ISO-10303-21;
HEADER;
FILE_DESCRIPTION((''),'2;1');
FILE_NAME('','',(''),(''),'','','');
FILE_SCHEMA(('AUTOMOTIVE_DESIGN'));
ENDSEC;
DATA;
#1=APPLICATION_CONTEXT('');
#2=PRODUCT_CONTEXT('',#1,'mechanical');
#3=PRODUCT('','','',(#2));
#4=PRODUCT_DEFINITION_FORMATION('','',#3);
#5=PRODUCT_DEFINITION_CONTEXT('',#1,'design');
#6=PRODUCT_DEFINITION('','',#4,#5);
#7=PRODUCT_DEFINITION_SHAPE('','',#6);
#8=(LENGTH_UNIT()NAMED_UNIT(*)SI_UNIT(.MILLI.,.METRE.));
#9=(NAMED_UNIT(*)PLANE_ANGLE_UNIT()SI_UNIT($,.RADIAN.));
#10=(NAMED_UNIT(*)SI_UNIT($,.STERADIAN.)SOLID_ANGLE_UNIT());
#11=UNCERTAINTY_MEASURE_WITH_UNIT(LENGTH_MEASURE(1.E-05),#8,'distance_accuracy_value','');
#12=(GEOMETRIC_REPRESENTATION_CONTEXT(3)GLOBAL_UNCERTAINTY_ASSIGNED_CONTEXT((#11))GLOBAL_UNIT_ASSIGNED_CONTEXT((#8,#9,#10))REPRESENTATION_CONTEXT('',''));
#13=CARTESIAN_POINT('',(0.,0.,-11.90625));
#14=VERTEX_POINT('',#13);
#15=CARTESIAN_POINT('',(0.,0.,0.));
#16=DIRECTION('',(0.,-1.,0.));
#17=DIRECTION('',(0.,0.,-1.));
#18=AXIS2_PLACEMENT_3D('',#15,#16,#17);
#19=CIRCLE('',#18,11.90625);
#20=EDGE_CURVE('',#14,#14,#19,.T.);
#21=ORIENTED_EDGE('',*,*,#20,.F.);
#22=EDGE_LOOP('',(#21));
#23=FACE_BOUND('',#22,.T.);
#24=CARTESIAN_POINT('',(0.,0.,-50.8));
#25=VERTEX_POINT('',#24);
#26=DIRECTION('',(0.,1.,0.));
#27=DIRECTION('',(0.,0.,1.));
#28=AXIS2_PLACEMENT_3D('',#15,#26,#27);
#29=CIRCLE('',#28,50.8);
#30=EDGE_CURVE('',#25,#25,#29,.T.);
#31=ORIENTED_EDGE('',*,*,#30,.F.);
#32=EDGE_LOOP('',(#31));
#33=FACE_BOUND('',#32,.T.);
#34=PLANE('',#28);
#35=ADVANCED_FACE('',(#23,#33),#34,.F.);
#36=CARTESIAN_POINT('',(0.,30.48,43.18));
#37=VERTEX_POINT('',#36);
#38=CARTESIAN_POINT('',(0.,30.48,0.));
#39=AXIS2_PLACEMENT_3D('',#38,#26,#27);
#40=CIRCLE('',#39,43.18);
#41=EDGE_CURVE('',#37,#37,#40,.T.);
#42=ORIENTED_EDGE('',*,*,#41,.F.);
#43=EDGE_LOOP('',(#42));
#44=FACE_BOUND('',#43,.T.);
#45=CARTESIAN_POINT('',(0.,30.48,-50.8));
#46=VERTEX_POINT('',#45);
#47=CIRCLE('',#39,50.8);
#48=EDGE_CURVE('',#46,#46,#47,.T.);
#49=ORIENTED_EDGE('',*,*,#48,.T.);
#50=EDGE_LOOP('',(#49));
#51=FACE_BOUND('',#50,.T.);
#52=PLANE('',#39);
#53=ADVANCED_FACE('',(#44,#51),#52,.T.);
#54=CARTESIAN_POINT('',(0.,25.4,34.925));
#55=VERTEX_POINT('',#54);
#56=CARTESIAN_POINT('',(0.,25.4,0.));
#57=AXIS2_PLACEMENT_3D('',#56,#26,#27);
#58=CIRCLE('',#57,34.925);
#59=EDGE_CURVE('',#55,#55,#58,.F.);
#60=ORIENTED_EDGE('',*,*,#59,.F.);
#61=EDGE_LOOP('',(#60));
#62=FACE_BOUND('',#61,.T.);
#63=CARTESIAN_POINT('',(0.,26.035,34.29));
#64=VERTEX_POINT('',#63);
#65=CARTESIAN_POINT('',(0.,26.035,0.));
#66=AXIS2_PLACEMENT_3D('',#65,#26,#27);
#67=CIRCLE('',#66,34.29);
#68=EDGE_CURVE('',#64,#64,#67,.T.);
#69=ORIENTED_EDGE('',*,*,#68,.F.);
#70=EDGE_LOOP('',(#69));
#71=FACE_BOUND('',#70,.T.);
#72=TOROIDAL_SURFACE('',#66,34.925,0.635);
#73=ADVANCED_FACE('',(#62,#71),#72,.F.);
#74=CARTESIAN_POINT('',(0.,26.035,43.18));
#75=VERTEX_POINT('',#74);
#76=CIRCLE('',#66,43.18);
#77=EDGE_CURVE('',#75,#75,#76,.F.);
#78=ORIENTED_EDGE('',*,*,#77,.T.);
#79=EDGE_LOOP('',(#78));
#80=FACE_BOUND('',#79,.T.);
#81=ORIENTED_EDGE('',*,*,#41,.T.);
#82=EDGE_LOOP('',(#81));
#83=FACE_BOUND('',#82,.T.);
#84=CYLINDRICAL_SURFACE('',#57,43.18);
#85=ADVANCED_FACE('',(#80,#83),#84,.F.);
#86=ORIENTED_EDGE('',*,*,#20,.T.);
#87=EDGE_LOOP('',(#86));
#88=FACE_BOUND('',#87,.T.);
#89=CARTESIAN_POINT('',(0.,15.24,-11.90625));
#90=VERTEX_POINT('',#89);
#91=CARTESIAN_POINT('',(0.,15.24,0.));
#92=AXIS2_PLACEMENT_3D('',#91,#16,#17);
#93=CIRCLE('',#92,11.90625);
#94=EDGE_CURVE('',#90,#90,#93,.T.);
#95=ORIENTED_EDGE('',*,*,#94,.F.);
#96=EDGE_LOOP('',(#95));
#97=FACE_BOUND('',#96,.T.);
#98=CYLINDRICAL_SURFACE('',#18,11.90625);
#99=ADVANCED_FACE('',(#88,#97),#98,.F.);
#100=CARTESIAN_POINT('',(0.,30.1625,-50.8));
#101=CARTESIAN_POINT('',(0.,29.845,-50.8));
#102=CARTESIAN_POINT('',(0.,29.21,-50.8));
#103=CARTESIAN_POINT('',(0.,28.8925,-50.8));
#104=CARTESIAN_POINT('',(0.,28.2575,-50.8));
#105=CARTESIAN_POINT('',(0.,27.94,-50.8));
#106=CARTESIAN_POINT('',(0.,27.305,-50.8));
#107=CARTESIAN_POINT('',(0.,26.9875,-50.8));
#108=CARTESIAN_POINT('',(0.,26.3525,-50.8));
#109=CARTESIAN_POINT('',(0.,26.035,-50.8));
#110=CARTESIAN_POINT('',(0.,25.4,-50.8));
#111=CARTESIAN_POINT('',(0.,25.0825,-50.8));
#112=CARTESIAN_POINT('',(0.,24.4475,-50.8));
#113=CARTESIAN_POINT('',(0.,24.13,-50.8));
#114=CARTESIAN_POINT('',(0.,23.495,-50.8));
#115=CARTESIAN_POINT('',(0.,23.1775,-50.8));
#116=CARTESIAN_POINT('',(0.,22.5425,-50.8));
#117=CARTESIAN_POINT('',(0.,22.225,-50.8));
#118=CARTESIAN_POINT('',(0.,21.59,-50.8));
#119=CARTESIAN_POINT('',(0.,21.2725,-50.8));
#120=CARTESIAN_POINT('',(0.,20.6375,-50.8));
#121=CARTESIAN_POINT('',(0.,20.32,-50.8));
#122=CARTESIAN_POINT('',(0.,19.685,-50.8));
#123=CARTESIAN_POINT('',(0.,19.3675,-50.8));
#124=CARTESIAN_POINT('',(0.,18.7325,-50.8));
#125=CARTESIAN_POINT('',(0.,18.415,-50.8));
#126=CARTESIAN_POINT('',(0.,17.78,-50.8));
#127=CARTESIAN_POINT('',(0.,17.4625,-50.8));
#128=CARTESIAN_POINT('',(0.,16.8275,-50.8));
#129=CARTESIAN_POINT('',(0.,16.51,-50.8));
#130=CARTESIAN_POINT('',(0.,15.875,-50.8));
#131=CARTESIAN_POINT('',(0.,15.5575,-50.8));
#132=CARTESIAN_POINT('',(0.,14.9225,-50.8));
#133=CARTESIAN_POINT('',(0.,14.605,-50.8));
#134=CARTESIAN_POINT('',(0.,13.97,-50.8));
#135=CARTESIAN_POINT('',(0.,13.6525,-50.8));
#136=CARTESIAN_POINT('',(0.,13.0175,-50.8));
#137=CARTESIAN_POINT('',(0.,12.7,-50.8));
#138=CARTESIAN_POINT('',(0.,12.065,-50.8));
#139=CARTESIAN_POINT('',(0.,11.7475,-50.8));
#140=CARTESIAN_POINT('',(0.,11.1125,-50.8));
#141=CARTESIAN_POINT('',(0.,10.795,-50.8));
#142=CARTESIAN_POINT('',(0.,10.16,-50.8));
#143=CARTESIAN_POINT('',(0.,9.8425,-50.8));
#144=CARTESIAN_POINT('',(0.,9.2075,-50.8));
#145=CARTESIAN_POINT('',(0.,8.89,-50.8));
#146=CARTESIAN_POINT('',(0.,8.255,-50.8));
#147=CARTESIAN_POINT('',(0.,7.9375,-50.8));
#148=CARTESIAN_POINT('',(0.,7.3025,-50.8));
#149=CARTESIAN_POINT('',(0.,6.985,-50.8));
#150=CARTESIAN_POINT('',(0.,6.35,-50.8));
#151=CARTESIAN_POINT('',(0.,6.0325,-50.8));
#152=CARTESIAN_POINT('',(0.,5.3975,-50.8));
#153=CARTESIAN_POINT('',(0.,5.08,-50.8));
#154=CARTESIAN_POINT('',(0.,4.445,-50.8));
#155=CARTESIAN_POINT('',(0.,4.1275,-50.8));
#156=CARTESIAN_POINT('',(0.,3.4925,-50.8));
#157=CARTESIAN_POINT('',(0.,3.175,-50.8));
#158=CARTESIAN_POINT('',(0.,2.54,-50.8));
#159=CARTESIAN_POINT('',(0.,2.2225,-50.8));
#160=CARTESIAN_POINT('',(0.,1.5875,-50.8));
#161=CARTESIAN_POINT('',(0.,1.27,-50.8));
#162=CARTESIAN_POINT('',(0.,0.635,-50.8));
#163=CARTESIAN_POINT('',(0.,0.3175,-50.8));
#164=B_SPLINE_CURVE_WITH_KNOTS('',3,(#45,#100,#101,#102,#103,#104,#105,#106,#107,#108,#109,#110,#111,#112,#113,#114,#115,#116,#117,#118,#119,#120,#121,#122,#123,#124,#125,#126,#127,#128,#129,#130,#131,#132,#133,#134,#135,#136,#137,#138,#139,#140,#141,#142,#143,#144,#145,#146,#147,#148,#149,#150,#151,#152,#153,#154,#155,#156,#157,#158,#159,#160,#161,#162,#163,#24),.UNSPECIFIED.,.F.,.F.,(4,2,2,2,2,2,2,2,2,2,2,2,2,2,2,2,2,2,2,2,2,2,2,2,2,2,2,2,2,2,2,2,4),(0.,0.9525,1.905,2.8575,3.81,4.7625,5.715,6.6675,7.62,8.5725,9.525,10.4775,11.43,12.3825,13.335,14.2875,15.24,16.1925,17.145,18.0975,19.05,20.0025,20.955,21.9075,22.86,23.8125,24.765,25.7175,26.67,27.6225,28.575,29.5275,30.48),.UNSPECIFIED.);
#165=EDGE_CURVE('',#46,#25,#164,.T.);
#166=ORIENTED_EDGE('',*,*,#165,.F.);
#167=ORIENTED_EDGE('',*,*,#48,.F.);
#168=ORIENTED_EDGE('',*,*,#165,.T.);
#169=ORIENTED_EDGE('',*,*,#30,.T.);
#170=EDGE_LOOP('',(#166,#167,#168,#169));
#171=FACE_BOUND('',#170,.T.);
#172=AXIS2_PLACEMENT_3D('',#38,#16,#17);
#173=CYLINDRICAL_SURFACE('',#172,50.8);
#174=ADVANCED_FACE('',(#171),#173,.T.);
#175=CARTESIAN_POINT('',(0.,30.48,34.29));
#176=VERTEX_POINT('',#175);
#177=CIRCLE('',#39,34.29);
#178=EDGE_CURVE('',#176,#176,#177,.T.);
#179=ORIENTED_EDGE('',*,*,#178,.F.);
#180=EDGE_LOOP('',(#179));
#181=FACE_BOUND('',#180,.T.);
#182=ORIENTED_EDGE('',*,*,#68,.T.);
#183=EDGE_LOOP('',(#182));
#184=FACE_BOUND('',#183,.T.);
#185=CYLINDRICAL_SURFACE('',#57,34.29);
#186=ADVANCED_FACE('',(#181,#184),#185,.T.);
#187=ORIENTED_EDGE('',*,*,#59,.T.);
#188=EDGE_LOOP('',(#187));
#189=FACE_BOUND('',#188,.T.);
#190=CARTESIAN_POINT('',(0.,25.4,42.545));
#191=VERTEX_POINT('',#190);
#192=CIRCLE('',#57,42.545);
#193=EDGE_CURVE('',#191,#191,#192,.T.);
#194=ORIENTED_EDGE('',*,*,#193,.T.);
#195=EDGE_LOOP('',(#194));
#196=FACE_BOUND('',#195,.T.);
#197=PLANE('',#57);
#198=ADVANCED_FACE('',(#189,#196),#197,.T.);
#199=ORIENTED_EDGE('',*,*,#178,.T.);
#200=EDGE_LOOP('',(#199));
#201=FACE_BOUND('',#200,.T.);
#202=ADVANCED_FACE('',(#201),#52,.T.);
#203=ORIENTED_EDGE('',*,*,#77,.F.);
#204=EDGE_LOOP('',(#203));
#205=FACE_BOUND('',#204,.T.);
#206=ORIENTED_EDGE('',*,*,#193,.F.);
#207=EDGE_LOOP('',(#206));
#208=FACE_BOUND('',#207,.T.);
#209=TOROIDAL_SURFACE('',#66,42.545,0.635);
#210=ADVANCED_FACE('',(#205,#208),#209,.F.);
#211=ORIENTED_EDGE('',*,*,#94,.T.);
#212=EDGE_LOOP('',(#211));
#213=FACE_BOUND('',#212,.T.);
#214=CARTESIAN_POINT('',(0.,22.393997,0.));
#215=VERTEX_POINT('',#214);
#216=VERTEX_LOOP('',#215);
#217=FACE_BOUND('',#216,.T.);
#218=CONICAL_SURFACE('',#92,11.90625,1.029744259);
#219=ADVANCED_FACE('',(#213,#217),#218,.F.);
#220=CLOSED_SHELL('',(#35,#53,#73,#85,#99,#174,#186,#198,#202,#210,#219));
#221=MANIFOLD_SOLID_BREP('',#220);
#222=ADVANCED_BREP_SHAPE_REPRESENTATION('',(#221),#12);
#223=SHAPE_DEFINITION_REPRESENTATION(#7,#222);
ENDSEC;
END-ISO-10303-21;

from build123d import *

# Parameters (mm, degrees)
SKETCH1_R                 = 50.8
BOSS_EXTRUDE1_DEPTH       = 30.48
F_1_14_TAPPED_HOLE1_D     = 23.8125
F_1_14_TAPPED_HOLE1_DEPTH = 15.24
F_1_14_TAPPED_HOLE1_TIP   = 7.153996745
SKETCH4_R                 = 43.18
SKETCH4_R_2               = 34.29
CUT_EXTRUDE1_DEPTH        = 5.08
FILLET1_R                 = 0.635


with BuildPart() as part:
    # Sketch1 → Boss-Extrude1 (new body)
    with BuildSketch(Plane(origin=(0, 0, 0), x_dir=(1, 0, 0), z_dir=(0, 1, 0))):
        with Locations(Location((0, 0, 0), (0, 0, 90))):
            Circle(SKETCH1_R)
    extrude(amount=BOSS_EXTRUDE1_DEPTH)

    # 1-14 Tapped Hole1
    with Locations(Plane(origin=(0, 0, 0), x_dir=(-1, 0, 0), z_dir=(0, -1, 0))):
        with Locations((0, 0)):
            Hole(F_1_14_TAPPED_HOLE1_D / 2, depth=F_1_14_TAPPED_HOLE1_DEPTH)
            with Locations((0, 0, -(F_1_14_TAPPED_HOLE1_DEPTH + F_1_14_TAPPED_HOLE1_TIP / 2))):  # 118° drill point
                Cone(0, F_1_14_TAPPED_HOLE1_D / 2, F_1_14_TAPPED_HOLE1_TIP, mode=Mode.SUBTRACT)

    # Sketch4 → Cut-Extrude1 (cut)
    with BuildSketch(Plane(origin=(0, 30.48, 0), x_dir=(1, 0, 0), z_dir=(0, 1, 0))):
        with Locations(Location((0, 0, 0), (0, 0, 270))):
            Circle(SKETCH4_R)
        with Locations(Location((0, 0, 0), (0, 0, 270))):
            Circle(SKETCH4_R_2, mode=Mode.SUBTRACT)
    extrude(amount=-CUT_EXTRUDE1_DEPTH, mode=Mode.SUBTRACT)

    # Fillet1
    fillet1_edges = [part.edges().sort_by_distance(p)[0] for p in [
        (0, 25.4, -43.18),
        (0, 25.4, -34.29),
    ]]
    fillet(fillet1_edges, radius=FILLET1_R)


solid = part.part
